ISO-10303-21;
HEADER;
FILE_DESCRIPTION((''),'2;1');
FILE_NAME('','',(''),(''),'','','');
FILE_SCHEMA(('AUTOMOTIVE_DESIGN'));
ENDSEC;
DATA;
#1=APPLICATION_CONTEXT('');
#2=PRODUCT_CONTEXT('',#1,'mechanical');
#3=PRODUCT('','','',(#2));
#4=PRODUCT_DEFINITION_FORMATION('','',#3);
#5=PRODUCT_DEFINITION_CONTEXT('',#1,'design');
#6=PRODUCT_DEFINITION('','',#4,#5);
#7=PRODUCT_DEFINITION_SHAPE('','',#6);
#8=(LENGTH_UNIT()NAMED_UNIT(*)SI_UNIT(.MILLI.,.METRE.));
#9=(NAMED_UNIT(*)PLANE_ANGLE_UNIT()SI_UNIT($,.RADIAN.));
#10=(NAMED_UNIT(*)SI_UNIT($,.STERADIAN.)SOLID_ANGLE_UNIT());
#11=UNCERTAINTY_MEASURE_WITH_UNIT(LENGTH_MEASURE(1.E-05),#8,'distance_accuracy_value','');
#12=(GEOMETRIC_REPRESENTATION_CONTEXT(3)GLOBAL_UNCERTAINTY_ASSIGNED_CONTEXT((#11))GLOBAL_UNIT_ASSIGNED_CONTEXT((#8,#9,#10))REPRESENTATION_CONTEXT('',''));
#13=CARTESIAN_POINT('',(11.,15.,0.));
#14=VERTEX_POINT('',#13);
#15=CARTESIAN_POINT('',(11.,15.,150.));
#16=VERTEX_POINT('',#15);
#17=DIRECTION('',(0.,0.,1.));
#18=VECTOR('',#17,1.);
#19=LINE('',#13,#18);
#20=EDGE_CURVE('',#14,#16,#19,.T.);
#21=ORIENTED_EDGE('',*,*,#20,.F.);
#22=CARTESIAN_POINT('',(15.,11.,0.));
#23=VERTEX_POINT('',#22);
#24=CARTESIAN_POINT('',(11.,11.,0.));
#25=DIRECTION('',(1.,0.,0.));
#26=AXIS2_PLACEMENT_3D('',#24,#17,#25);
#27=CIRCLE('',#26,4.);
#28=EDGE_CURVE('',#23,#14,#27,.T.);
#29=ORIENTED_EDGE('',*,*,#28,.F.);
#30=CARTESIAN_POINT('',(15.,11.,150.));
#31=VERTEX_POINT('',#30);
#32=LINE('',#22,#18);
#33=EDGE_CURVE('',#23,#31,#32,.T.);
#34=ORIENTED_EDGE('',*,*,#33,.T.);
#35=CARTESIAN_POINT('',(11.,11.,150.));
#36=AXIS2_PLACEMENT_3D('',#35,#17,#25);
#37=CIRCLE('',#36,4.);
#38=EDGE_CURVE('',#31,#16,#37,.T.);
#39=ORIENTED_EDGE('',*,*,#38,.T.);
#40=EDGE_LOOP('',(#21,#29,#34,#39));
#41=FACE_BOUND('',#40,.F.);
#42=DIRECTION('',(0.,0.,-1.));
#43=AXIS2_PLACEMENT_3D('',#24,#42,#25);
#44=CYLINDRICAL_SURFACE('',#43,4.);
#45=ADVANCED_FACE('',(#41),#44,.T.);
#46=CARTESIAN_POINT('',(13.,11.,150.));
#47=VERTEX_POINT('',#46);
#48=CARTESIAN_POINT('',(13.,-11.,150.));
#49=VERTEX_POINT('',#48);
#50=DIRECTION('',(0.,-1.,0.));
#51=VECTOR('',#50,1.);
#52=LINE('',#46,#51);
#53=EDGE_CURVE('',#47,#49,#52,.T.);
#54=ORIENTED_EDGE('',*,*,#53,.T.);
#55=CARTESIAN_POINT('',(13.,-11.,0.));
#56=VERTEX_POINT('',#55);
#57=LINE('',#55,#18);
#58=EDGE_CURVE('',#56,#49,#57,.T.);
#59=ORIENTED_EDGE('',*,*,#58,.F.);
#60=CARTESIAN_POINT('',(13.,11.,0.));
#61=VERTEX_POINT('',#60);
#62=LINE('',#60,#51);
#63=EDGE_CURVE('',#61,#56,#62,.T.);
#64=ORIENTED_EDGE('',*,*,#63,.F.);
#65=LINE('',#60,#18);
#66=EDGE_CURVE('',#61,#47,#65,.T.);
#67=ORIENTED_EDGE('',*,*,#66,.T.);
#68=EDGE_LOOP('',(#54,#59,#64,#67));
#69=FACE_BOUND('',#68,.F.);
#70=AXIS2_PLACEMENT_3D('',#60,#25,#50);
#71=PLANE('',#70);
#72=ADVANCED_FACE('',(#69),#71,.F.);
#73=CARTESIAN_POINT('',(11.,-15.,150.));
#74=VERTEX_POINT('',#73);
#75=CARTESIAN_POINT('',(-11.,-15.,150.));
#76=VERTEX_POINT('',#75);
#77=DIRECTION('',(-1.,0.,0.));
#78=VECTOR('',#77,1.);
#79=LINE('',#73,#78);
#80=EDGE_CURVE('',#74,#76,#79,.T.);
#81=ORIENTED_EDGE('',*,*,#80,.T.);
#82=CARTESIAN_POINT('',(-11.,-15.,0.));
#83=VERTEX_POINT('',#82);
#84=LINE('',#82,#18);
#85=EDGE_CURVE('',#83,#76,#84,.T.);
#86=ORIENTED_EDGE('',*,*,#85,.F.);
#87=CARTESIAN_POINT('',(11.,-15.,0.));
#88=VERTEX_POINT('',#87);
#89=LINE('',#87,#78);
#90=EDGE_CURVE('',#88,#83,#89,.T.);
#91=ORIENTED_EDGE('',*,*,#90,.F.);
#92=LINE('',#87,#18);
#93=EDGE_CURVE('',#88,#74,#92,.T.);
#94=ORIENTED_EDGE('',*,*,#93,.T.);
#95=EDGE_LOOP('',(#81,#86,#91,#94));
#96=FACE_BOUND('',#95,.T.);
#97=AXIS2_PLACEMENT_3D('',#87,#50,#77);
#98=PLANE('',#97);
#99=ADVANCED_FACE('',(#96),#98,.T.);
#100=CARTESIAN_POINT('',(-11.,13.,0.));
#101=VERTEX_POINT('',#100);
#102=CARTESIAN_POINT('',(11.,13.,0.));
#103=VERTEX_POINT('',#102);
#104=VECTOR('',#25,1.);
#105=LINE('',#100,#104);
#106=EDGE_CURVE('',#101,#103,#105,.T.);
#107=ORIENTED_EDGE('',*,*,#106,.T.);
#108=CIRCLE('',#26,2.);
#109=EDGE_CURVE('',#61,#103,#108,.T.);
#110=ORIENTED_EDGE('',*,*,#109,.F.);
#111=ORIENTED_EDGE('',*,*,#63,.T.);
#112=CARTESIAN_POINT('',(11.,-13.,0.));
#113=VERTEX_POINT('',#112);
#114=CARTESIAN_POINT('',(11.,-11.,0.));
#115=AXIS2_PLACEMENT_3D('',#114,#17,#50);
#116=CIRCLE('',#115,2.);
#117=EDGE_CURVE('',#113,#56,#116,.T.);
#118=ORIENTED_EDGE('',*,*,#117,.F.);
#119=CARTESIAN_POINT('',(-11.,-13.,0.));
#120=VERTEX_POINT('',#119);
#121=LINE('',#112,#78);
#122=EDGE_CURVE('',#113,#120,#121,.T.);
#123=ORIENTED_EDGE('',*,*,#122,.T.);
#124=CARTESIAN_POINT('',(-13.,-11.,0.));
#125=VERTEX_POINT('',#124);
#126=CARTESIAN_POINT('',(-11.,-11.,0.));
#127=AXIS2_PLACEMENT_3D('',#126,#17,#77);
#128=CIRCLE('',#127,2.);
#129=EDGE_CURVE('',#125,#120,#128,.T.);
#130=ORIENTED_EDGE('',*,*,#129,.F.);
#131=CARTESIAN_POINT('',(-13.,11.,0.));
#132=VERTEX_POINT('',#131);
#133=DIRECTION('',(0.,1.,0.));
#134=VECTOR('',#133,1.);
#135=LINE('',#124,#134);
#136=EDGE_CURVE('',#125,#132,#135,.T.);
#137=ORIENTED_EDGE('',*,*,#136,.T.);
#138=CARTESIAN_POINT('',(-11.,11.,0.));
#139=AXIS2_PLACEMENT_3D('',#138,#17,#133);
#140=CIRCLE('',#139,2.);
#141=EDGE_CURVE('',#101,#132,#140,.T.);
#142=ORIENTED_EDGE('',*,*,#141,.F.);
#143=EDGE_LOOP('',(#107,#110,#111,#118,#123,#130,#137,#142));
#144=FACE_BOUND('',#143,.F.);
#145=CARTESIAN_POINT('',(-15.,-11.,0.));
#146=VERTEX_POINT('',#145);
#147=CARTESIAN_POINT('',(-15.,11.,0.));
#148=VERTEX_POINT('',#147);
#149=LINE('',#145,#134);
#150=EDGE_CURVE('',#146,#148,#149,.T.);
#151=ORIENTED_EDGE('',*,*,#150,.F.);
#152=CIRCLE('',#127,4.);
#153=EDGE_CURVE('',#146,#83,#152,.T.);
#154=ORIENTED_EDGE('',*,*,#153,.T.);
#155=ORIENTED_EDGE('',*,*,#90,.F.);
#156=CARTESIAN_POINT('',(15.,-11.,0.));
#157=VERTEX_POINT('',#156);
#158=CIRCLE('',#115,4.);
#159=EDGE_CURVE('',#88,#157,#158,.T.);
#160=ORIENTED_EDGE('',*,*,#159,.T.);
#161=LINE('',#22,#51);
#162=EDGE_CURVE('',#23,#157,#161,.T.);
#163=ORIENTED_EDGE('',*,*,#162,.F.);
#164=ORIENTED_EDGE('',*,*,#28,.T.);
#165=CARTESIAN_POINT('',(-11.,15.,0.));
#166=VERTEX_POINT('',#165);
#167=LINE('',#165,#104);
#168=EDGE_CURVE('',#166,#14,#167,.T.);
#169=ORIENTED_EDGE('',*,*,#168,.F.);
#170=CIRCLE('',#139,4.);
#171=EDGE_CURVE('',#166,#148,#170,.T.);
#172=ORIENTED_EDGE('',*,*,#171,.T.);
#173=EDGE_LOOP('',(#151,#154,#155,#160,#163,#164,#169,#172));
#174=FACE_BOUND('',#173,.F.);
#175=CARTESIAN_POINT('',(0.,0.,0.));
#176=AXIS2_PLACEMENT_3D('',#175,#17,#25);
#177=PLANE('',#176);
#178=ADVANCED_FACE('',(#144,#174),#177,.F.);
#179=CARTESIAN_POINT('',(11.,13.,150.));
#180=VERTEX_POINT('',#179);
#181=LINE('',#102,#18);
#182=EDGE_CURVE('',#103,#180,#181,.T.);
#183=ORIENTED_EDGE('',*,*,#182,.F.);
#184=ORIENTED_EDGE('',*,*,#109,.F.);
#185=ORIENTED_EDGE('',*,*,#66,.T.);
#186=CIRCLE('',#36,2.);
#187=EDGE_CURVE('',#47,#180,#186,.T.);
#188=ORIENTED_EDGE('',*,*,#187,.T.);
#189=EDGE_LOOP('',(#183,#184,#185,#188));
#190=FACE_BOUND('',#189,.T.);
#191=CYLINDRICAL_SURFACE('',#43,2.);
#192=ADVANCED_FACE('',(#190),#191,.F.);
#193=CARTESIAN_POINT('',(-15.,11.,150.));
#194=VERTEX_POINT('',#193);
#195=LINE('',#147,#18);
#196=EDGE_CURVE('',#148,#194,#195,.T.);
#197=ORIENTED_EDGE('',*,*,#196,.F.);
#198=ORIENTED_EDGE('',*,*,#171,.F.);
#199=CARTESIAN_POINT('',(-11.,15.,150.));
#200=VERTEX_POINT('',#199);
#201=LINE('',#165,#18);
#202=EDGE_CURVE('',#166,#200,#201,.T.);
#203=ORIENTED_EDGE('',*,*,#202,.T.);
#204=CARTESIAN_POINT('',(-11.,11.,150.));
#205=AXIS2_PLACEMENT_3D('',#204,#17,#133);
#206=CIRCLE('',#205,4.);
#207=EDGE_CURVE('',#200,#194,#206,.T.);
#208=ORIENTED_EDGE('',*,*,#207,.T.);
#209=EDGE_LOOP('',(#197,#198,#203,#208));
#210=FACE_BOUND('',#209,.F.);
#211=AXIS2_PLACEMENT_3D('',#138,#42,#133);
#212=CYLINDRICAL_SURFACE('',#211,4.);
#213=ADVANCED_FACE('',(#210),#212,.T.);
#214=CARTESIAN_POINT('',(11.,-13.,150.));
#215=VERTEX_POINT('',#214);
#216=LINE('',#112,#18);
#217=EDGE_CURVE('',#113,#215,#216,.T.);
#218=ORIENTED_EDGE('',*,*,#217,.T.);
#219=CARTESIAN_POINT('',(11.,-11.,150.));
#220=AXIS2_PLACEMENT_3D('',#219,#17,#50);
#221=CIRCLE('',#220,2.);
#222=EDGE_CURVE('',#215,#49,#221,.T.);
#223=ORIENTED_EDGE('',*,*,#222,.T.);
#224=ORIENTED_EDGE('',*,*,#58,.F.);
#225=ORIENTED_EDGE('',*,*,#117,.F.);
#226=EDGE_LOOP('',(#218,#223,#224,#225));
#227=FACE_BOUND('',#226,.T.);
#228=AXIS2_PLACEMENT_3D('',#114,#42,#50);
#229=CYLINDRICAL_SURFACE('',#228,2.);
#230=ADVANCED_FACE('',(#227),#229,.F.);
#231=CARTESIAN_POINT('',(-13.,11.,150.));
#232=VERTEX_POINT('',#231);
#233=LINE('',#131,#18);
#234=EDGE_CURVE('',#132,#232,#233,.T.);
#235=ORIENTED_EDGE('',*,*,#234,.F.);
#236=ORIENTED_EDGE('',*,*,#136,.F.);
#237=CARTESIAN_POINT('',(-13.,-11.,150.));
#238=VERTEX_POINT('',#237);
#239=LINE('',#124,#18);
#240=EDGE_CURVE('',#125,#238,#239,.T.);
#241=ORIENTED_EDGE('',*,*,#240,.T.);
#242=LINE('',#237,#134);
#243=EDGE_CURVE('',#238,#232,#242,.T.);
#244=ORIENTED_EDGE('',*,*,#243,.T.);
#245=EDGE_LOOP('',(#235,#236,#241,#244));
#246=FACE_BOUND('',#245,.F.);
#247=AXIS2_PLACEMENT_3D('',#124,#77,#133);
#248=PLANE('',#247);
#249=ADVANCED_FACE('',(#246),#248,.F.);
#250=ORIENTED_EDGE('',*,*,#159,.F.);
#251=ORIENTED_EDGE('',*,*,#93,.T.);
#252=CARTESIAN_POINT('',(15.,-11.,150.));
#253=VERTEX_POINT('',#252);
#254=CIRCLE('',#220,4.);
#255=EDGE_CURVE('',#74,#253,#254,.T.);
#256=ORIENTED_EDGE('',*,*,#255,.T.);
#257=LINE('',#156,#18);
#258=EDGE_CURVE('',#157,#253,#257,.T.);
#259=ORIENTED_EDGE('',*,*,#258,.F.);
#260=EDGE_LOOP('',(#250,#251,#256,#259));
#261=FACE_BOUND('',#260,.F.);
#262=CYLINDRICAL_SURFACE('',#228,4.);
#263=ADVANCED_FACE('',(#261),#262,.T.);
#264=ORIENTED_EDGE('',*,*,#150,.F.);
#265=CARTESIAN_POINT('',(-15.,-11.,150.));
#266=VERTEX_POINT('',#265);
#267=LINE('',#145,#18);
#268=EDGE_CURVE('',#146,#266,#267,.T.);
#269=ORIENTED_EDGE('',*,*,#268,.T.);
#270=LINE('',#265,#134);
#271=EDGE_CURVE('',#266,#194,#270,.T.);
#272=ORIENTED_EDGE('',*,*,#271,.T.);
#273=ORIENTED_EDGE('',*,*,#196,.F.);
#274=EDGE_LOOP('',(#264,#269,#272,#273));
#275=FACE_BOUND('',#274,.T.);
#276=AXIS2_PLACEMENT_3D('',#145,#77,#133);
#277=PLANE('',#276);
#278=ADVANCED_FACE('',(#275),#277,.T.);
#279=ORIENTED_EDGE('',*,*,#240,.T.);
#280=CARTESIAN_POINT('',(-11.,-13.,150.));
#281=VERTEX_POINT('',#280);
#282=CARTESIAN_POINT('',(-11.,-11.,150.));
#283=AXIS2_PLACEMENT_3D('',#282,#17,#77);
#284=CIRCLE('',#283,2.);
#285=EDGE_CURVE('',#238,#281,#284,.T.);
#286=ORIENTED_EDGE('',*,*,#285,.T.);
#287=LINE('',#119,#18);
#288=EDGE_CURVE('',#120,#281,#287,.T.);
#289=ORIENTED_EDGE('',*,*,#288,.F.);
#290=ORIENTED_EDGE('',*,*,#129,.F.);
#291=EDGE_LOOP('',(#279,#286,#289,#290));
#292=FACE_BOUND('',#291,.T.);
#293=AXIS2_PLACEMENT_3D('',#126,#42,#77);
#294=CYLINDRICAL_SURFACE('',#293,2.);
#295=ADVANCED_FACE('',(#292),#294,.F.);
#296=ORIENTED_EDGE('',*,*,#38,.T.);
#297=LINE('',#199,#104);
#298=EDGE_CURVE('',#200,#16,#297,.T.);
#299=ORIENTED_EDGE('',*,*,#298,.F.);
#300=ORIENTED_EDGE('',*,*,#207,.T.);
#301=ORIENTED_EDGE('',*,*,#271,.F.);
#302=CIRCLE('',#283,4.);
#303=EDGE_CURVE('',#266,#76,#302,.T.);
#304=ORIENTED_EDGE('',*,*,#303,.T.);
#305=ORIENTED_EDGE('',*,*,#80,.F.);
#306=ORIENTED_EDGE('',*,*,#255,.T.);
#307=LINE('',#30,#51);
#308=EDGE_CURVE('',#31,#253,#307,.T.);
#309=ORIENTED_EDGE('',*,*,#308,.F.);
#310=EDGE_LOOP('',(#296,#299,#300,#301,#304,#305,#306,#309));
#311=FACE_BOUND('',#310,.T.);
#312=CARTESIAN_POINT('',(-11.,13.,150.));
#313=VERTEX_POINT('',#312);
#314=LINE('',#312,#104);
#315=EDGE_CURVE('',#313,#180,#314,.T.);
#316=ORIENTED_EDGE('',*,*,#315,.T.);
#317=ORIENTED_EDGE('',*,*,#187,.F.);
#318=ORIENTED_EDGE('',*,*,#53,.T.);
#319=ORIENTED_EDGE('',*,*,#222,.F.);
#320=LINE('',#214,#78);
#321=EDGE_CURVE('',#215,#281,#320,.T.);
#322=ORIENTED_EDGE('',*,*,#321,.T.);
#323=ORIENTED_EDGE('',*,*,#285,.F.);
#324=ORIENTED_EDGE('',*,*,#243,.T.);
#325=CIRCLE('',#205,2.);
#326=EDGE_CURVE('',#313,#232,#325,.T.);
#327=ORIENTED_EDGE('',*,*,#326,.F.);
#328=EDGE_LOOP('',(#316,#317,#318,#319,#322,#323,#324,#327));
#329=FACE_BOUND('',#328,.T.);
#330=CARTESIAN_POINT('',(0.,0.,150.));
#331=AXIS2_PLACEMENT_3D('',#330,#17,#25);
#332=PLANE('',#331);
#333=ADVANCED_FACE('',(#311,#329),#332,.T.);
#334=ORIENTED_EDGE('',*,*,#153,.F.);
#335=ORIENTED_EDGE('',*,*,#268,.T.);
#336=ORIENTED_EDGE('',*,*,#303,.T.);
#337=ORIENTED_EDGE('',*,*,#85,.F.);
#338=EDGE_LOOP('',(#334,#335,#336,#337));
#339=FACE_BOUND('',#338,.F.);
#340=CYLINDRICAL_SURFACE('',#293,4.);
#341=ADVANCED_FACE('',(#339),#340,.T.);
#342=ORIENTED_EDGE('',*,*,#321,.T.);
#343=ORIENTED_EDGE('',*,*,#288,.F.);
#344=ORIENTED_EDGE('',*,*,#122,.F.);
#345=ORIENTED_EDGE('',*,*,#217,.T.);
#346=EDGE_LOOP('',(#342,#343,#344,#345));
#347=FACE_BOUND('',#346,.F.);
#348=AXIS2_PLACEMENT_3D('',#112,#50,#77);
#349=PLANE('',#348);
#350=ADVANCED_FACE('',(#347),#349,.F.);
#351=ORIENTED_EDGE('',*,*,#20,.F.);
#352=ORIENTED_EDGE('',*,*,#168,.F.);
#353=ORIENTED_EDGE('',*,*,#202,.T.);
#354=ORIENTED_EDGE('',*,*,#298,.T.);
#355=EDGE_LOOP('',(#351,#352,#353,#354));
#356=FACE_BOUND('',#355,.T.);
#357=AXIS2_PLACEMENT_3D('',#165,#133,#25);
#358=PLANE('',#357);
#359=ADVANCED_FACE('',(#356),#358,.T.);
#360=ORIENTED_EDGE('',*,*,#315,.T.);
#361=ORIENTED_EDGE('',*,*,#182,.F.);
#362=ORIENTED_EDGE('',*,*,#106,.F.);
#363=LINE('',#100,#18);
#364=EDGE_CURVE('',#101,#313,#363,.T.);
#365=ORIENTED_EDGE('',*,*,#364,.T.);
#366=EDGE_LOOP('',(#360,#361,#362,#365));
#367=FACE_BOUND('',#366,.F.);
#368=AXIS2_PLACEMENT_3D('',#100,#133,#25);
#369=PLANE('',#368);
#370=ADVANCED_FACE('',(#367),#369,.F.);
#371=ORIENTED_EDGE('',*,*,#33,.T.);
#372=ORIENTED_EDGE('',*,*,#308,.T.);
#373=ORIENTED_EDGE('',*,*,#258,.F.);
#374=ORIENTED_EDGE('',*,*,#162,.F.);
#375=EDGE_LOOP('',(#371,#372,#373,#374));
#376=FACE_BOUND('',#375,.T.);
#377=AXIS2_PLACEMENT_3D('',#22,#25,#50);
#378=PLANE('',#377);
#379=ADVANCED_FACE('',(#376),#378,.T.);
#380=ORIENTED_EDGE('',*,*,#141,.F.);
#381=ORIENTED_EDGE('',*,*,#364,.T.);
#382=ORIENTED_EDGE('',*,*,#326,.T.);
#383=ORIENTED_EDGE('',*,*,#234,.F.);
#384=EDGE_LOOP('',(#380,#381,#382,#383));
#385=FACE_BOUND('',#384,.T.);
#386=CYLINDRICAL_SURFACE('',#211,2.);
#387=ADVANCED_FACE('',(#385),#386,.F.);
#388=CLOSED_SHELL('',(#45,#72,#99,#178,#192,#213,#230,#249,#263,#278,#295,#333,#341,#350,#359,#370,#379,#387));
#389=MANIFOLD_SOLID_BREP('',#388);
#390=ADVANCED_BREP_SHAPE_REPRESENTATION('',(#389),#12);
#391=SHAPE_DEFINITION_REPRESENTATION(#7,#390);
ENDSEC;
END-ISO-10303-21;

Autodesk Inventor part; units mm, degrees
ref_plane "YZ Plane" through (0, 0, 0) normal (1, 0, 0) x (0, 1, 0)
ref_plane "Plan de départ" through (0, 0, 0) normal (0, 0, 1) x (1, 0, 0)
ref_plane "Plan de fin" through (0, 0, 150) normal (0, 0, 1) x (1, 0, 0)
sketch "Esquisse" plane through (0, 0, 0) normal (0, 0, 1) x (1, 0, 0)
  line L0 (-15, -11) -> (-15, 11)
  line L1 (-11, 15) -> (11, 15)
  line L2 (15, 11) -> (15, -11)
  line L3 (11, -15) -> (-11, -15)
  arc A0 (-15, -11) -> (-11, -15) centre (-11, -11) ccw
  arc A1 (15, 11) -> (11, 15) centre (11, 11) ccw
  arc A2 (-11, 15) -> (-15, 11) centre (-11, 11) ccw
  arc A3 (11, -15) -> (15, -11) centre (11, -11) ccw
  arc A4 (-11, 13) -> (-13, 11) centre (-11, 11) ccw
  line L4 (-11, 13) -> (11, 13)
  arc A5 (13, 11) -> (11, 13) centre (11, 11) ccw
  line L5 (13, 11) -> (13, -11)
  arc A6 (11, -13) -> (13, -11) centre (11, -11) ccw
  line L6 (11, -13) -> (-11, -13)
  arc A7 (-13, -11) -> (-11, -13) centre (-11, -11) ccw
  line L7 (-13, -11) -> (-13, 11)
  line L8 (0, 22.1598) -> (0, -22.1598) construction
  line L9 (-22.1598, 0) -> (22.1598, 0) construction
  dimension "d7" = 4
  dimension "d9" = 30
  dimension "d11" = 30
  dimension "d12" = 2
  dimension "d15" = 15
  dimension "d16" = 15
extrude "Corps" add sketch "Esquisse" along normal up to surface (150 mm away) from surface at 0
sketch "Sketch3" plane through (0, 0, 0) normal (0, 0, 1) x (1, 0, 0)
  line L0 (0, 0) -> (10, 0)
ref_plane "Work Plane3" through (0, 0, 0) normal (0, -1, 0) x (1, 0, 0)
sketch "Sketch4" plane through (0, 0, 0) normal (0, -1, 0) x (1, 0, 0)
  line L0 (-2, 0) -> (12, 0) projected
  line L1 (-2, 150) -> (12, 150) projected
  dimension "d18" = 150
equation "\"d7\" = G_IR"
equation "\"d9\" = G_W"
equation "\"d11\" = G_H"
equation "\"d12\" = G_T"
equation "\"d15\" = 0.5 * d9"
equation "\"d16\" = 0.5 * d11"
equation "\"d3\" = G_L"
equation "\"G_W\" = 30"
equation "\"G_H\" = 30"
equation "\"G_T\" = 2"
equation "\"G_IR\" = 4"
equation "\"G_L\" = d18"
equation "\"G_OFFSET_START\" = 0"
equation "\"G_OFFSET_END\" = 0"
properties part number "ISO 10799-2 - 30x30x2 - 150" material "Acier, doux"
